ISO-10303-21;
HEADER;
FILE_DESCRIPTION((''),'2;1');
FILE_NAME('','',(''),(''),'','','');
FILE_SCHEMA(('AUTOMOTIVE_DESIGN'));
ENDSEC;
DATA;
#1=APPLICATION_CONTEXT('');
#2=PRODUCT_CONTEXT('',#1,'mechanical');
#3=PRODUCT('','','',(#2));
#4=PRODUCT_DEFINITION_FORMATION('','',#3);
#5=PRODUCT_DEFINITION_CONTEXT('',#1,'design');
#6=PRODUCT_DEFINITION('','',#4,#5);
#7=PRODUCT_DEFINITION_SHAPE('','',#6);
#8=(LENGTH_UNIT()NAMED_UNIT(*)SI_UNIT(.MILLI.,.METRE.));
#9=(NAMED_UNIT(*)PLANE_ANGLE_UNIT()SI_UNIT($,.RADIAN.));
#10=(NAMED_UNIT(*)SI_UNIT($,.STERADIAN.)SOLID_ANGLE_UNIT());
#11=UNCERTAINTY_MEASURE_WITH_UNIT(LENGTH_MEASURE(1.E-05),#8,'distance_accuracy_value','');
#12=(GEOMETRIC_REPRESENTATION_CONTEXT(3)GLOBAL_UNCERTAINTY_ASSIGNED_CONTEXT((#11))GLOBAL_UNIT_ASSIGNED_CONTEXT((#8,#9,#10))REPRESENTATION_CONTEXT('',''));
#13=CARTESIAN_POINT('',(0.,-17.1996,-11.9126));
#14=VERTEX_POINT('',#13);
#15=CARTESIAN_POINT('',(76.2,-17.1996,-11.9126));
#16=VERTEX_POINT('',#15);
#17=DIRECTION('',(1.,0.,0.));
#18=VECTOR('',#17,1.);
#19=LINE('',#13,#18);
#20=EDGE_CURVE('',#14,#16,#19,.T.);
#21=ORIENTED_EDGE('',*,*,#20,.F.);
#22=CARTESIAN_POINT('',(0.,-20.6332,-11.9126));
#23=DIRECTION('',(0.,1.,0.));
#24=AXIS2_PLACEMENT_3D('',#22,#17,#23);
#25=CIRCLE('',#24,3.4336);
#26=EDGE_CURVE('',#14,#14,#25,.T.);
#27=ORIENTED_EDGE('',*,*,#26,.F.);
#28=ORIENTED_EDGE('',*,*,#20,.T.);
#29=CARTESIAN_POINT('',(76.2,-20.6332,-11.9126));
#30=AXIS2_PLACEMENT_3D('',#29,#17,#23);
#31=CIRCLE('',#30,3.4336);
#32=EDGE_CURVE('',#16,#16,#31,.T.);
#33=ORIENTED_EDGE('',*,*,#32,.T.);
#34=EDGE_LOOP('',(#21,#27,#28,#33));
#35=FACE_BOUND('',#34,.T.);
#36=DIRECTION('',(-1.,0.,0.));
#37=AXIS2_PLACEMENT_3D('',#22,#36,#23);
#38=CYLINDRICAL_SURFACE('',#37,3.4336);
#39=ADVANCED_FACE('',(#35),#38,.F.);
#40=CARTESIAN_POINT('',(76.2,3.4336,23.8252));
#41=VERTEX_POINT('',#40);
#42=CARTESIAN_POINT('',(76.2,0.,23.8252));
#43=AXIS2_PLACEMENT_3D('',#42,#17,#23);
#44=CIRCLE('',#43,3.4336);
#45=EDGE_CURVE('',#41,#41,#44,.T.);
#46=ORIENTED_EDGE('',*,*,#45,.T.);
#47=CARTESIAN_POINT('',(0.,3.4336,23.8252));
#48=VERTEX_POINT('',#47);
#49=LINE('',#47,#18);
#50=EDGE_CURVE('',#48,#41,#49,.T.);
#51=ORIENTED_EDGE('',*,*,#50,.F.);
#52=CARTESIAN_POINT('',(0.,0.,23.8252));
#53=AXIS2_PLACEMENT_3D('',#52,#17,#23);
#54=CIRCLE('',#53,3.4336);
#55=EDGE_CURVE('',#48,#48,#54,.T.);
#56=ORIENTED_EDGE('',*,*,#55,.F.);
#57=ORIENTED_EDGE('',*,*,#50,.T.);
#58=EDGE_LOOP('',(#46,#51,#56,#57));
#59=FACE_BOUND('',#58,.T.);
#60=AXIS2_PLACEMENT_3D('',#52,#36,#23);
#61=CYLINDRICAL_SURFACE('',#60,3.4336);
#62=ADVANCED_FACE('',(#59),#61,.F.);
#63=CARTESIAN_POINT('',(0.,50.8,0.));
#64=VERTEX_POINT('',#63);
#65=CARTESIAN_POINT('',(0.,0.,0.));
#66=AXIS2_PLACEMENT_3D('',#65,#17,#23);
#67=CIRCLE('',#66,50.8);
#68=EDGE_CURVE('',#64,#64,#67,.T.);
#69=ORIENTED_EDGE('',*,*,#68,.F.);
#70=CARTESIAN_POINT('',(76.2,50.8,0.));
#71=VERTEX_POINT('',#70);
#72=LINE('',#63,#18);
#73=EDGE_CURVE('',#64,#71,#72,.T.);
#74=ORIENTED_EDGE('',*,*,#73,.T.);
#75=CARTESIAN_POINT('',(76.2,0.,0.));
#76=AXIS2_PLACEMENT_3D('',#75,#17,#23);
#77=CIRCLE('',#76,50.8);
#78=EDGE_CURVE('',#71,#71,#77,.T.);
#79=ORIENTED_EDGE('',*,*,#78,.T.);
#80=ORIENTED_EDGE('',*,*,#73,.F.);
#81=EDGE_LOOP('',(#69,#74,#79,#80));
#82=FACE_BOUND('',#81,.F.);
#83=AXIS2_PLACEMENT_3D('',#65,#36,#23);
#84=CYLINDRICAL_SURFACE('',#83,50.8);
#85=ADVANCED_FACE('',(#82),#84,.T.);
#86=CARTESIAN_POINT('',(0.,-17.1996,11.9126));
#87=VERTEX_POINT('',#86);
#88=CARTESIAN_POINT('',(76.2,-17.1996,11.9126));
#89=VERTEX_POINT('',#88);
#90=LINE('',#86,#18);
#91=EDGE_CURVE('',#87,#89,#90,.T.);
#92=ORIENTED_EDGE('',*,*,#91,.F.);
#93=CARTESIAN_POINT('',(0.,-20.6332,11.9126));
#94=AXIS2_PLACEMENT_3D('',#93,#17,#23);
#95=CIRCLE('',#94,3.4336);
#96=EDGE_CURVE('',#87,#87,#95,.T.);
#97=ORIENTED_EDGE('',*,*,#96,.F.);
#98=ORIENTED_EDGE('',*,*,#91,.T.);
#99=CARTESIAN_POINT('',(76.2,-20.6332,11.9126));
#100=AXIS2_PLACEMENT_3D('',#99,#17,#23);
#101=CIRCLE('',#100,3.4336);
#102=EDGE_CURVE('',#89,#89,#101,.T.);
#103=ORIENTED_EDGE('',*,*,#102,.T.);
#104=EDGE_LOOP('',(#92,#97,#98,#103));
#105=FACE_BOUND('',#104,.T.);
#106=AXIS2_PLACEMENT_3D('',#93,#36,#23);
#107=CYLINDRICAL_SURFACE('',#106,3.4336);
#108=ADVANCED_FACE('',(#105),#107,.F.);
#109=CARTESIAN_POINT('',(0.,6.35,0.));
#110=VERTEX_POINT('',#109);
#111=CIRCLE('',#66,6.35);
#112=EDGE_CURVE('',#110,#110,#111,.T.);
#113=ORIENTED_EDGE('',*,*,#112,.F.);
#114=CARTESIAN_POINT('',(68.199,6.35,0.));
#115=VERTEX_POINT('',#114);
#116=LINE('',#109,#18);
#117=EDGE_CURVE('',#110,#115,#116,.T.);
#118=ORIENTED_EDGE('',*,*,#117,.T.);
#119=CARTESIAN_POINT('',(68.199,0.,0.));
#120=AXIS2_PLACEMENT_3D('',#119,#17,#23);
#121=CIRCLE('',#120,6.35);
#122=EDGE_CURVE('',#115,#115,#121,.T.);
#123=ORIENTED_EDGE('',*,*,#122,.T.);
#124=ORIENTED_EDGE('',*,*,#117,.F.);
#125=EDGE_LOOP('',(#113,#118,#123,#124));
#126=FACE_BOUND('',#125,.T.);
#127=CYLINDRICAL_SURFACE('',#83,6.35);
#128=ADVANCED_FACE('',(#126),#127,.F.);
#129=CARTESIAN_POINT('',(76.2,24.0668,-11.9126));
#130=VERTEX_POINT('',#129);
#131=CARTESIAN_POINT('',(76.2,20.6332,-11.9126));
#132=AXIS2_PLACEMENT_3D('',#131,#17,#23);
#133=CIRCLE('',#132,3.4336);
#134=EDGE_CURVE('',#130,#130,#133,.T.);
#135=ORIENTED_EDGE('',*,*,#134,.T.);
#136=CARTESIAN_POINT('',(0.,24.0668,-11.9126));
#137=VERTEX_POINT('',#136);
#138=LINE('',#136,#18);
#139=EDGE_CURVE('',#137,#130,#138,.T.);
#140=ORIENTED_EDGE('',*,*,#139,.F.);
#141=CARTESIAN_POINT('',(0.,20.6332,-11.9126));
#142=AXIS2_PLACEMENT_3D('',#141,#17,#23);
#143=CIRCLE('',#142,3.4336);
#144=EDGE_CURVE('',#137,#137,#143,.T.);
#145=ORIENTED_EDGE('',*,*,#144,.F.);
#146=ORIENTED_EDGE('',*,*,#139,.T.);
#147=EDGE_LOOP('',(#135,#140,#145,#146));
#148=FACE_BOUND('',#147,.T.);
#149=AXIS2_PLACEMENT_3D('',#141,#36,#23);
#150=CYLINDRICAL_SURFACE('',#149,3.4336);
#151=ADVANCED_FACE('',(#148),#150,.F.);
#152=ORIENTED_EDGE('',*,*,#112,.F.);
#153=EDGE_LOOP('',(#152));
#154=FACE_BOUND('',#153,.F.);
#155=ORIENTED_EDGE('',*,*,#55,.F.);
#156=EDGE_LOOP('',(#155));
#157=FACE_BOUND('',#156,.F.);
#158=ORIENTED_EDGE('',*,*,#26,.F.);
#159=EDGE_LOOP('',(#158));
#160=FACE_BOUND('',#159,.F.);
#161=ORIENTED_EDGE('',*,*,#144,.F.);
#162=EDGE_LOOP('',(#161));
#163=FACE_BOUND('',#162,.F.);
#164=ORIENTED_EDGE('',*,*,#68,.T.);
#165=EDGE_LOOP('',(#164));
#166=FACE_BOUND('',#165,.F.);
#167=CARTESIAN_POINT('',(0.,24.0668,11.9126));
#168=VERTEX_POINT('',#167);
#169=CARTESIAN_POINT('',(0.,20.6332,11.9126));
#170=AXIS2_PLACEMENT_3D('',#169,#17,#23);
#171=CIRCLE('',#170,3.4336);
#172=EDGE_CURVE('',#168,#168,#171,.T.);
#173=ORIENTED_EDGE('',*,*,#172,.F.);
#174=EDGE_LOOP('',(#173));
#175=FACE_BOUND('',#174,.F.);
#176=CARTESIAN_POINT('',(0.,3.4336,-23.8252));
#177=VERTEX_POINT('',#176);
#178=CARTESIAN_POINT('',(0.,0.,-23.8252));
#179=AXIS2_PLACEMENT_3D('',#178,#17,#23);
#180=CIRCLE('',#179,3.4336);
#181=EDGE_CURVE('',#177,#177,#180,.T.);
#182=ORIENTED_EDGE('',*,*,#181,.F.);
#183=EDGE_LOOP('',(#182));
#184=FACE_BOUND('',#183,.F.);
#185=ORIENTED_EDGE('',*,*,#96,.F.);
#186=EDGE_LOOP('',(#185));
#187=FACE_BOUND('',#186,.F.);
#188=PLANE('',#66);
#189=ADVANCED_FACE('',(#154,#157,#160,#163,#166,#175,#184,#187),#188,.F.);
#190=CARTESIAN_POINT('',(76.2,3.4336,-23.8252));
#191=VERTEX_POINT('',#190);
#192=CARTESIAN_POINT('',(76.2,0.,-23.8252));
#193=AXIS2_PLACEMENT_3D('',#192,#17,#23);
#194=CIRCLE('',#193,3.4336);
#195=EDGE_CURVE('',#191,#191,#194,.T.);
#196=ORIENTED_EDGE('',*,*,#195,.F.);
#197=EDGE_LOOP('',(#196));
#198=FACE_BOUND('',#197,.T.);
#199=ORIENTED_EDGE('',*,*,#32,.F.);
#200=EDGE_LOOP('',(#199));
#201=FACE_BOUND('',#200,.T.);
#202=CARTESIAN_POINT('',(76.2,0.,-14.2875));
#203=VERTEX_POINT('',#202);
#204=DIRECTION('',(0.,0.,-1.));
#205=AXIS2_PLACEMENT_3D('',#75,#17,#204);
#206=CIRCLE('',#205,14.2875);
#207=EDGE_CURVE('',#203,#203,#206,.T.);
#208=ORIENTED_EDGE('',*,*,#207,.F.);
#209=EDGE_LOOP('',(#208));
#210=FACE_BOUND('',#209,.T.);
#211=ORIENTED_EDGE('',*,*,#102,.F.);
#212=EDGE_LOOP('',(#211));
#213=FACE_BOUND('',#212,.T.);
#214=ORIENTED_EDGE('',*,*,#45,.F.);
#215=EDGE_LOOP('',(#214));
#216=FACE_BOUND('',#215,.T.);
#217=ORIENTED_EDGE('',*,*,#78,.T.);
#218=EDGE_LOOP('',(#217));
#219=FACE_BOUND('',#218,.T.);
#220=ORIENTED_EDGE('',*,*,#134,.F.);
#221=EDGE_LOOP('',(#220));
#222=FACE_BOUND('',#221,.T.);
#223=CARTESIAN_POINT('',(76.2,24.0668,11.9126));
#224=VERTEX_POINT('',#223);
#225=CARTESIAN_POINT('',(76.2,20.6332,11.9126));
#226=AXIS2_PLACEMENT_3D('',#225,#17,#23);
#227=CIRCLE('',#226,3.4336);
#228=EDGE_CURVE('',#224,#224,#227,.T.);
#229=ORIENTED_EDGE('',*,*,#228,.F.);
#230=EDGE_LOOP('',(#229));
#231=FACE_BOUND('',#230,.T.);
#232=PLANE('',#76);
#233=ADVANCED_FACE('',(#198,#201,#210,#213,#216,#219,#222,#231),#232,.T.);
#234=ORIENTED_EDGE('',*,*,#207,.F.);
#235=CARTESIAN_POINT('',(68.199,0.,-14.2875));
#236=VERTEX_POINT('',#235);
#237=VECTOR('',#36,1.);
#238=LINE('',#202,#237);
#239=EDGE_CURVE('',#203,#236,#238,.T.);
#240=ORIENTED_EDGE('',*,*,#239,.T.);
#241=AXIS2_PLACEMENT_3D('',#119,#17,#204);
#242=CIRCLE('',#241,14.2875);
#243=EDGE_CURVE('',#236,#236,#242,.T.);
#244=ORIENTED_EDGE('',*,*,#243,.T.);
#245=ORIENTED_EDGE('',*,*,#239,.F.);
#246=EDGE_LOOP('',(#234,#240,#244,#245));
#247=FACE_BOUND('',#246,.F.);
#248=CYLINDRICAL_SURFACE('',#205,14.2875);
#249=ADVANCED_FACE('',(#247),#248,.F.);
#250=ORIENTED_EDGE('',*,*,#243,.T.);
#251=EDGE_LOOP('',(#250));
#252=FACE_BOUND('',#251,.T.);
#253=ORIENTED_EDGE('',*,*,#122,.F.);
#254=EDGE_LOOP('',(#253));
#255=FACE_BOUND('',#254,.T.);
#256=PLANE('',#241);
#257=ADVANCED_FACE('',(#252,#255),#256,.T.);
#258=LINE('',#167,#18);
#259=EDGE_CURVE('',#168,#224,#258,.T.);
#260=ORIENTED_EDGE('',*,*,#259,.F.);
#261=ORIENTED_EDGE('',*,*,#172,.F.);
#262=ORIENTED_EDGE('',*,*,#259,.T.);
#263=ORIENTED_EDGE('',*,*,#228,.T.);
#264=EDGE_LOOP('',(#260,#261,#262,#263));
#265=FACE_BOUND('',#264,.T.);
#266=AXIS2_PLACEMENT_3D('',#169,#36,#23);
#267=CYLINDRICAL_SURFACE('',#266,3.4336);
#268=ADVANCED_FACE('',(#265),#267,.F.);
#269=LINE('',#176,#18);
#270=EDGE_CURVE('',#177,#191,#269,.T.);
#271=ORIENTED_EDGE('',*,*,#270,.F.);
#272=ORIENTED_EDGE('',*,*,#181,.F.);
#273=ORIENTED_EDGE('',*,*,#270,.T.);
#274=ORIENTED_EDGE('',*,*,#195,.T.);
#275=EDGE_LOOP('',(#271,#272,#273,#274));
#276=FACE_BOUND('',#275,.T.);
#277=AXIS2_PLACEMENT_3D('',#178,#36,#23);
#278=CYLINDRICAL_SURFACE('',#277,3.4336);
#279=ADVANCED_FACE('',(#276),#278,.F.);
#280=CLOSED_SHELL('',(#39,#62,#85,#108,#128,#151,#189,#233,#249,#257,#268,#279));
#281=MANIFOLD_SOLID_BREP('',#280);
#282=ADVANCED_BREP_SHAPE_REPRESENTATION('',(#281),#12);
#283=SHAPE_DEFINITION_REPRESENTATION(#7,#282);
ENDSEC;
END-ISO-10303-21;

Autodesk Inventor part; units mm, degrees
ref_plane "YZ Plane" through (0, 0, 0) normal (1, 0, 0) x (0, 1, 0)
ref_plane "XZ Plane" through (0, 0, 0) normal (0, 1, 0) x (-1, 0, 0)
ref_plane "XY Plane" through (0, 0, 0) normal (0, 0, 1) x (1, 0, 0)
sketch "Sketch4" plane through (0, 0, 0) normal (1, 0, 0) x (0, 1, 0)
  circle A0 centre (0, 0) radius 50.8
  circle A1 centre (0, 0) radius 6.35
  circle A2 centre (0, -23.8252) radius 3.4336
  circle A3 centre (20.6332, -11.9126) radius 3.4336
  circle A4 centre (0, 0) radius 6.35
  circle A5 centre (20.6332, 11.9126) radius 3.4336
  circle A6 centre (0, 0) radius 6.35
  circle A7 centre (0, 23.8252) radius 3.4336
  circle A8 centre (0, 0) radius 6.35
  circle A9 centre (-20.6332, 11.9126) radius 3.4336
  circle A10 centre (0, 0) radius 6.35
  circle A11 centre (-20.6332, -11.9126) radius 3.4336
  circle A12 centre (0, 0) radius 6.35
  dimension "d12" = 101.6
  dimension "d13" = 12.7
  dimension "d14" = 23.8252
  dimension "d17" = 360
extrude "Extrusion3" add sketch "Sketch4" along normal blind 76.2
sketch "Sketch5" plane through (76.2, 0, 0) normal (1, 0, 0) x (0, 0, -1)
  circle A0 centre (0, 0) radius 6.35 projected
  circle A1 centre (0, 0) radius 14.2875
  dimension "d21" = 28.575
extrude "Extrusion4" cut sketch "Sketch5" against normal blind 8.001
properties part number "rcr-S3"
